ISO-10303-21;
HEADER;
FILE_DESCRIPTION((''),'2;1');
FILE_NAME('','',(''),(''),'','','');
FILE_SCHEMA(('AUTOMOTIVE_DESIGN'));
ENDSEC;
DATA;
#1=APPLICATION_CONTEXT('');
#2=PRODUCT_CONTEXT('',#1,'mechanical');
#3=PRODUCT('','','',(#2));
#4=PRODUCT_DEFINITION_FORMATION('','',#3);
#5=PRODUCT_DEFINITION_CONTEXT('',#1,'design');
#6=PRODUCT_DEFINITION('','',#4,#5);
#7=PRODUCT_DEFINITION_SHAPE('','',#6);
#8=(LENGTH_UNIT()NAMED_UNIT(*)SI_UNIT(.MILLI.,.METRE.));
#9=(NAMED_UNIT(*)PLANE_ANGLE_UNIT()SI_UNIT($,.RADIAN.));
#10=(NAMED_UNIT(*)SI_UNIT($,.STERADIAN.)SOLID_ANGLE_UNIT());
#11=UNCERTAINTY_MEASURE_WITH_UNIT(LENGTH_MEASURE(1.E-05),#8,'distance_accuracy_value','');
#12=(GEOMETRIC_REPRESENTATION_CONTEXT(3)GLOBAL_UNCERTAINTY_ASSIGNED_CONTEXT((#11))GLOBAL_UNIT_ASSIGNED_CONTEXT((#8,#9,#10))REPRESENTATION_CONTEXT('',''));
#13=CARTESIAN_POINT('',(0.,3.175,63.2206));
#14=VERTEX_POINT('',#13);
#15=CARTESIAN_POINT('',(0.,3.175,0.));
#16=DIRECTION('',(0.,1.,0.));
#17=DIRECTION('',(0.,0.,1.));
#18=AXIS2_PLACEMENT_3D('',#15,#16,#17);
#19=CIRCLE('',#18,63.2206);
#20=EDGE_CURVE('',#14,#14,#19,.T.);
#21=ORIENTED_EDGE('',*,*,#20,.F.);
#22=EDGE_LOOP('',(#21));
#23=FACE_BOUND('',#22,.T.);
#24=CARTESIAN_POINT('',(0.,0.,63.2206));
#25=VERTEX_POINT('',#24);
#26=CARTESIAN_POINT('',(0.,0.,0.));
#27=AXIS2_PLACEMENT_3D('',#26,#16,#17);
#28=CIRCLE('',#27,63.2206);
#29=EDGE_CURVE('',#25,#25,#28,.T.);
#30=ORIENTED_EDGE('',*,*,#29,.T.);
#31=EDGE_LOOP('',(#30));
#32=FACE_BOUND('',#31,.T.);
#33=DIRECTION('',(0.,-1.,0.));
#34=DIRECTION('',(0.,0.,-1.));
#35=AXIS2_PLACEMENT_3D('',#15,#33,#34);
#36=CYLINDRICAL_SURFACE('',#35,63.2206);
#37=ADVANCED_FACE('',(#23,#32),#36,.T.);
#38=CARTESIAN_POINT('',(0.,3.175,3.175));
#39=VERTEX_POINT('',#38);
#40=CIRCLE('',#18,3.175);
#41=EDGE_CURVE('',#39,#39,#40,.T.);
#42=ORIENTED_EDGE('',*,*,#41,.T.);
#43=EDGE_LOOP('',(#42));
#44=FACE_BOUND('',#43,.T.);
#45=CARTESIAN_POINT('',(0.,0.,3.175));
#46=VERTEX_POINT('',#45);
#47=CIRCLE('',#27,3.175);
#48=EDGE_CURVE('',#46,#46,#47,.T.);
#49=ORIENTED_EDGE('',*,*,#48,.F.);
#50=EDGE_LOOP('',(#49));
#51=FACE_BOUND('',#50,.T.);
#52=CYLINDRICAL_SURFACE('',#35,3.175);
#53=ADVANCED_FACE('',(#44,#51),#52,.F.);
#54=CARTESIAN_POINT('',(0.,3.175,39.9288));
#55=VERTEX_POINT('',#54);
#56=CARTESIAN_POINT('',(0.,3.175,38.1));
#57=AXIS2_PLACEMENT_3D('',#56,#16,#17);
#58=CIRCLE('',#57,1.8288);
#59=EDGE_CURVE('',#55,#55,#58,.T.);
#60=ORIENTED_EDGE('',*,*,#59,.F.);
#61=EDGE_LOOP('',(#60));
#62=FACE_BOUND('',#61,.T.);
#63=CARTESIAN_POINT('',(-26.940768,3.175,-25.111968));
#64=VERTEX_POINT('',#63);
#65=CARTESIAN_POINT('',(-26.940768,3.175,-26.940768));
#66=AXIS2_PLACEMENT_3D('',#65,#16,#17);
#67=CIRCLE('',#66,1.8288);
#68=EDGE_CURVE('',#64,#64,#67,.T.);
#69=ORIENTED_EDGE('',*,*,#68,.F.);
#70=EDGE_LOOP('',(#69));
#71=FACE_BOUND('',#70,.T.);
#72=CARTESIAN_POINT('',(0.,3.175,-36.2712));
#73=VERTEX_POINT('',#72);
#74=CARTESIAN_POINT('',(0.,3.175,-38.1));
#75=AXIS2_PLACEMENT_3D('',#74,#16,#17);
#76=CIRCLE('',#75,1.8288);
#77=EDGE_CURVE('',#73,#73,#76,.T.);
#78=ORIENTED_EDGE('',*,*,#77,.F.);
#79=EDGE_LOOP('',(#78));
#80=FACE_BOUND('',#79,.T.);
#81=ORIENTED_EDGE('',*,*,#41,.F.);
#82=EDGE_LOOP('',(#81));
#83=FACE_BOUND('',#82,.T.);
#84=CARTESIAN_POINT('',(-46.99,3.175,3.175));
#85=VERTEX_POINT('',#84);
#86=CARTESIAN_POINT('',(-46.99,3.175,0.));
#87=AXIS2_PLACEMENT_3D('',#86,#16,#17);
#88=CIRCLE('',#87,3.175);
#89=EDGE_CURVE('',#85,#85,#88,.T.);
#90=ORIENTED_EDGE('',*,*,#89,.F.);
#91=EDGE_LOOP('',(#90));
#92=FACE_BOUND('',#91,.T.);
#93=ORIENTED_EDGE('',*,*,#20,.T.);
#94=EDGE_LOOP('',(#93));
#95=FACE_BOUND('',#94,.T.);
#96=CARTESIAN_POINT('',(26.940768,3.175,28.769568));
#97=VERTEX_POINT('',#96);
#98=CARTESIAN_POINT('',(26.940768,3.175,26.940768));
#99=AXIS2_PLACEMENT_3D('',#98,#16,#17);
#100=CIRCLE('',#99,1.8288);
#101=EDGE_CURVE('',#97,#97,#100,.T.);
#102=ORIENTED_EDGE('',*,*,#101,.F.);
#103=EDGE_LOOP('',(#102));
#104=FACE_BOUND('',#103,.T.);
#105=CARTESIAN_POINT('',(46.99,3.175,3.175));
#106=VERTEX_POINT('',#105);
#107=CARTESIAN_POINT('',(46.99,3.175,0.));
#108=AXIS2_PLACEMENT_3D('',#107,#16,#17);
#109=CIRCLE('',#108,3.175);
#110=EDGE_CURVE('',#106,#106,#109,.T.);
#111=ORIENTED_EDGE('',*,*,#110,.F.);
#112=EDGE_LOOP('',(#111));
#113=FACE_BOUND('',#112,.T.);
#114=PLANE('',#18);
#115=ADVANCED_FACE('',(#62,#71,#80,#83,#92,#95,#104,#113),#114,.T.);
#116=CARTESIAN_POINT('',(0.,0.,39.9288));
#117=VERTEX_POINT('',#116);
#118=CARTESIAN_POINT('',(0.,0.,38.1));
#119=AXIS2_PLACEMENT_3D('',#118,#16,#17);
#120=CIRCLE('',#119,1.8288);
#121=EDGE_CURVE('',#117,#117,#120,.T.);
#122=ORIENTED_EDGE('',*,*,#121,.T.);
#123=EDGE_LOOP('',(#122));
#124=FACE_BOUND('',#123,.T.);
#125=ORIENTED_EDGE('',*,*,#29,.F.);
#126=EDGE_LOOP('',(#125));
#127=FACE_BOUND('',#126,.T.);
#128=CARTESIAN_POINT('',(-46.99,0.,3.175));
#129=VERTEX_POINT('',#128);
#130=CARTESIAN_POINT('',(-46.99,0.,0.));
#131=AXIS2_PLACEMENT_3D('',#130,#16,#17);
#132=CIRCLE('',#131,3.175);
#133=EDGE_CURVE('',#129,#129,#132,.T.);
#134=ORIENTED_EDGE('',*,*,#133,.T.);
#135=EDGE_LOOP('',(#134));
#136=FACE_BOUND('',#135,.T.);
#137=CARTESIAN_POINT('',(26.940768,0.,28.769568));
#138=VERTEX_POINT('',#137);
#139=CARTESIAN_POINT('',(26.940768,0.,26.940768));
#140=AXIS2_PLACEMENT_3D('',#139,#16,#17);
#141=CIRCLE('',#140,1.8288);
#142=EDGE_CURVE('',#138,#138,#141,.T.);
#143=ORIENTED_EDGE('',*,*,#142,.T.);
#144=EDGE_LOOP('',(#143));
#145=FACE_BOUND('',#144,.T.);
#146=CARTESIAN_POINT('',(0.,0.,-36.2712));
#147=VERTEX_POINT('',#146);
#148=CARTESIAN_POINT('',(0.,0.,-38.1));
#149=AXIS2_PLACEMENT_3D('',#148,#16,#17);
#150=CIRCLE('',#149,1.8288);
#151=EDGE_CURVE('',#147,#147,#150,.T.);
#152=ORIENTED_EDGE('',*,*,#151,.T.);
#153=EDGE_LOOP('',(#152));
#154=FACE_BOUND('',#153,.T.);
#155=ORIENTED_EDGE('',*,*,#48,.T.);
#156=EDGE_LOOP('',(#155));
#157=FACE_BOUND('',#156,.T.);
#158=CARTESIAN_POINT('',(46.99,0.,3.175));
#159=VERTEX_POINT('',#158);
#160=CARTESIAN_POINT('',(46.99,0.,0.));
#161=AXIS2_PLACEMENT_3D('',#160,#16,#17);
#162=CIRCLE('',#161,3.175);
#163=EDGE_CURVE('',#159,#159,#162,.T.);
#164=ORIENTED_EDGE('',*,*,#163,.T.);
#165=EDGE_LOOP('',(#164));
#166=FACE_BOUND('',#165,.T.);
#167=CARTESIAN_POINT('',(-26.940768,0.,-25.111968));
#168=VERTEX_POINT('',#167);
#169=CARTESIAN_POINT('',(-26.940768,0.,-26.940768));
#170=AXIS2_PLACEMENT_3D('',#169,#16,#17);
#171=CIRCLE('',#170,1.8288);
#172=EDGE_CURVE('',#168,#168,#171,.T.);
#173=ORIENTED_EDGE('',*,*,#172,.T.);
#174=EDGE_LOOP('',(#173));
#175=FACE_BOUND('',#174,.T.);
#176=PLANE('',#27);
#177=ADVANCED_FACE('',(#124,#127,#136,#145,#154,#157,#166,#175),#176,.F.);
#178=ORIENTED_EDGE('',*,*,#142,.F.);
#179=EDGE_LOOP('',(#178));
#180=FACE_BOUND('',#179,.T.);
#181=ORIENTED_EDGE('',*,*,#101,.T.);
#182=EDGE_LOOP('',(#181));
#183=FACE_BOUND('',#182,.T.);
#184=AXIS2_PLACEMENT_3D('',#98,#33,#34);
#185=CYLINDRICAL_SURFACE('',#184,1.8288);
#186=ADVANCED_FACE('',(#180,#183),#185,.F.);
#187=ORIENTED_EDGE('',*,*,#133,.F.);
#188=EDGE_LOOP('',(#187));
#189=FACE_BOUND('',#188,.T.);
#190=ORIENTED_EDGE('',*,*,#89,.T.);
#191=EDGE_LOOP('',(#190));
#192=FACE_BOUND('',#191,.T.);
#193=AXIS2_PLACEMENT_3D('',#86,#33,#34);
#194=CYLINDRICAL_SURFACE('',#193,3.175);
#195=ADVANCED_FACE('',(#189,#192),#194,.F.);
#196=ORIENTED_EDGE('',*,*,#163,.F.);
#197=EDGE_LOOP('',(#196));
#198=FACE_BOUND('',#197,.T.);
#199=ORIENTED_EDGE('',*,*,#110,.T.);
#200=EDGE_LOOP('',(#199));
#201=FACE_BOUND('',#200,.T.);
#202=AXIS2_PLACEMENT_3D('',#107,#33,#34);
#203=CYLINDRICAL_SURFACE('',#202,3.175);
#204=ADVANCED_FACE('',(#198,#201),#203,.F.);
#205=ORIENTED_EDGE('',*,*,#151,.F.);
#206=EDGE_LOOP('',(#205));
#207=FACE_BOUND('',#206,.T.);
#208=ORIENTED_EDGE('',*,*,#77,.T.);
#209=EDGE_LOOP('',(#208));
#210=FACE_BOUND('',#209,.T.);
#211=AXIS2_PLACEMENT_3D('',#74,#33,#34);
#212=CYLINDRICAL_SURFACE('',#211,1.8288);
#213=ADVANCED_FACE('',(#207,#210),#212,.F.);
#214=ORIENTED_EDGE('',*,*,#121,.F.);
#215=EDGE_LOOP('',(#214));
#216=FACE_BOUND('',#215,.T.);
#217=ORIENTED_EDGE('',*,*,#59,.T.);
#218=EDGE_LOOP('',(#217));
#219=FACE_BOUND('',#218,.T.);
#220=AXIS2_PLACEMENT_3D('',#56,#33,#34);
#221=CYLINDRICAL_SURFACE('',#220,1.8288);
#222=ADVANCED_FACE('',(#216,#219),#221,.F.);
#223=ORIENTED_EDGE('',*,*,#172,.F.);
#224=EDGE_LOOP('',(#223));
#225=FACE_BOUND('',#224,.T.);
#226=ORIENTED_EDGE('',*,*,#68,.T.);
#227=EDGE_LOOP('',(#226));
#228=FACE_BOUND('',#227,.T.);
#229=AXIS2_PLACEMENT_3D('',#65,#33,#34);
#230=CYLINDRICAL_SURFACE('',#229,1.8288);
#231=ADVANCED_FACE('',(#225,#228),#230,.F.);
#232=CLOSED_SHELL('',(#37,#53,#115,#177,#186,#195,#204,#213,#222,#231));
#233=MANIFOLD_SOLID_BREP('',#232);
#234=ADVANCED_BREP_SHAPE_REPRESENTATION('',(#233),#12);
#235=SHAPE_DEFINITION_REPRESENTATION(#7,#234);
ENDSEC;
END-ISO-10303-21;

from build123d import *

# Parameters (mm, degrees)
SKETCH2_R           = 63.2206
SKETCH2_R_2         = 3.175
SKETCH2_R_3         = 1.8288
BOSS_EXTRUDE1_DEPTH = 3.175


with BuildPart() as part:
    # Sketch2 → Boss-Extrude1 (new body)
    with BuildSketch(Plane(origin=(0, 0, 0), x_dir=(1, 0, 0), z_dir=(0, 1, 0))):
        Circle(SKETCH2_R)
        with Locations((-46.99, 0)):
            Circle(SKETCH2_R_2, mode=Mode.SUBTRACT)
        with Locations((46.99, 0)):
            Circle(SKETCH2_R_2, mode=Mode.SUBTRACT)
        Circle(SKETCH2_R_2, mode=Mode.SUBTRACT)
        with Locations((0, 38.1)):
            Circle(SKETCH2_R_3, mode=Mode.SUBTRACT)
        with Locations((0, -38.1)):
            Circle(SKETCH2_R_3, mode=Mode.SUBTRACT)
        with Locations((-26.940768363, 26.940768363)):
            Circle(SKETCH2_R_3, mode=Mode.SUBTRACT)
        with Locations((26.940768363, -26.940768363)):
            Circle(SKETCH2_R_3, mode=Mode.SUBTRACT)
    extrude(amount=BOSS_EXTRUDE1_DEPTH)


solid = part.part
